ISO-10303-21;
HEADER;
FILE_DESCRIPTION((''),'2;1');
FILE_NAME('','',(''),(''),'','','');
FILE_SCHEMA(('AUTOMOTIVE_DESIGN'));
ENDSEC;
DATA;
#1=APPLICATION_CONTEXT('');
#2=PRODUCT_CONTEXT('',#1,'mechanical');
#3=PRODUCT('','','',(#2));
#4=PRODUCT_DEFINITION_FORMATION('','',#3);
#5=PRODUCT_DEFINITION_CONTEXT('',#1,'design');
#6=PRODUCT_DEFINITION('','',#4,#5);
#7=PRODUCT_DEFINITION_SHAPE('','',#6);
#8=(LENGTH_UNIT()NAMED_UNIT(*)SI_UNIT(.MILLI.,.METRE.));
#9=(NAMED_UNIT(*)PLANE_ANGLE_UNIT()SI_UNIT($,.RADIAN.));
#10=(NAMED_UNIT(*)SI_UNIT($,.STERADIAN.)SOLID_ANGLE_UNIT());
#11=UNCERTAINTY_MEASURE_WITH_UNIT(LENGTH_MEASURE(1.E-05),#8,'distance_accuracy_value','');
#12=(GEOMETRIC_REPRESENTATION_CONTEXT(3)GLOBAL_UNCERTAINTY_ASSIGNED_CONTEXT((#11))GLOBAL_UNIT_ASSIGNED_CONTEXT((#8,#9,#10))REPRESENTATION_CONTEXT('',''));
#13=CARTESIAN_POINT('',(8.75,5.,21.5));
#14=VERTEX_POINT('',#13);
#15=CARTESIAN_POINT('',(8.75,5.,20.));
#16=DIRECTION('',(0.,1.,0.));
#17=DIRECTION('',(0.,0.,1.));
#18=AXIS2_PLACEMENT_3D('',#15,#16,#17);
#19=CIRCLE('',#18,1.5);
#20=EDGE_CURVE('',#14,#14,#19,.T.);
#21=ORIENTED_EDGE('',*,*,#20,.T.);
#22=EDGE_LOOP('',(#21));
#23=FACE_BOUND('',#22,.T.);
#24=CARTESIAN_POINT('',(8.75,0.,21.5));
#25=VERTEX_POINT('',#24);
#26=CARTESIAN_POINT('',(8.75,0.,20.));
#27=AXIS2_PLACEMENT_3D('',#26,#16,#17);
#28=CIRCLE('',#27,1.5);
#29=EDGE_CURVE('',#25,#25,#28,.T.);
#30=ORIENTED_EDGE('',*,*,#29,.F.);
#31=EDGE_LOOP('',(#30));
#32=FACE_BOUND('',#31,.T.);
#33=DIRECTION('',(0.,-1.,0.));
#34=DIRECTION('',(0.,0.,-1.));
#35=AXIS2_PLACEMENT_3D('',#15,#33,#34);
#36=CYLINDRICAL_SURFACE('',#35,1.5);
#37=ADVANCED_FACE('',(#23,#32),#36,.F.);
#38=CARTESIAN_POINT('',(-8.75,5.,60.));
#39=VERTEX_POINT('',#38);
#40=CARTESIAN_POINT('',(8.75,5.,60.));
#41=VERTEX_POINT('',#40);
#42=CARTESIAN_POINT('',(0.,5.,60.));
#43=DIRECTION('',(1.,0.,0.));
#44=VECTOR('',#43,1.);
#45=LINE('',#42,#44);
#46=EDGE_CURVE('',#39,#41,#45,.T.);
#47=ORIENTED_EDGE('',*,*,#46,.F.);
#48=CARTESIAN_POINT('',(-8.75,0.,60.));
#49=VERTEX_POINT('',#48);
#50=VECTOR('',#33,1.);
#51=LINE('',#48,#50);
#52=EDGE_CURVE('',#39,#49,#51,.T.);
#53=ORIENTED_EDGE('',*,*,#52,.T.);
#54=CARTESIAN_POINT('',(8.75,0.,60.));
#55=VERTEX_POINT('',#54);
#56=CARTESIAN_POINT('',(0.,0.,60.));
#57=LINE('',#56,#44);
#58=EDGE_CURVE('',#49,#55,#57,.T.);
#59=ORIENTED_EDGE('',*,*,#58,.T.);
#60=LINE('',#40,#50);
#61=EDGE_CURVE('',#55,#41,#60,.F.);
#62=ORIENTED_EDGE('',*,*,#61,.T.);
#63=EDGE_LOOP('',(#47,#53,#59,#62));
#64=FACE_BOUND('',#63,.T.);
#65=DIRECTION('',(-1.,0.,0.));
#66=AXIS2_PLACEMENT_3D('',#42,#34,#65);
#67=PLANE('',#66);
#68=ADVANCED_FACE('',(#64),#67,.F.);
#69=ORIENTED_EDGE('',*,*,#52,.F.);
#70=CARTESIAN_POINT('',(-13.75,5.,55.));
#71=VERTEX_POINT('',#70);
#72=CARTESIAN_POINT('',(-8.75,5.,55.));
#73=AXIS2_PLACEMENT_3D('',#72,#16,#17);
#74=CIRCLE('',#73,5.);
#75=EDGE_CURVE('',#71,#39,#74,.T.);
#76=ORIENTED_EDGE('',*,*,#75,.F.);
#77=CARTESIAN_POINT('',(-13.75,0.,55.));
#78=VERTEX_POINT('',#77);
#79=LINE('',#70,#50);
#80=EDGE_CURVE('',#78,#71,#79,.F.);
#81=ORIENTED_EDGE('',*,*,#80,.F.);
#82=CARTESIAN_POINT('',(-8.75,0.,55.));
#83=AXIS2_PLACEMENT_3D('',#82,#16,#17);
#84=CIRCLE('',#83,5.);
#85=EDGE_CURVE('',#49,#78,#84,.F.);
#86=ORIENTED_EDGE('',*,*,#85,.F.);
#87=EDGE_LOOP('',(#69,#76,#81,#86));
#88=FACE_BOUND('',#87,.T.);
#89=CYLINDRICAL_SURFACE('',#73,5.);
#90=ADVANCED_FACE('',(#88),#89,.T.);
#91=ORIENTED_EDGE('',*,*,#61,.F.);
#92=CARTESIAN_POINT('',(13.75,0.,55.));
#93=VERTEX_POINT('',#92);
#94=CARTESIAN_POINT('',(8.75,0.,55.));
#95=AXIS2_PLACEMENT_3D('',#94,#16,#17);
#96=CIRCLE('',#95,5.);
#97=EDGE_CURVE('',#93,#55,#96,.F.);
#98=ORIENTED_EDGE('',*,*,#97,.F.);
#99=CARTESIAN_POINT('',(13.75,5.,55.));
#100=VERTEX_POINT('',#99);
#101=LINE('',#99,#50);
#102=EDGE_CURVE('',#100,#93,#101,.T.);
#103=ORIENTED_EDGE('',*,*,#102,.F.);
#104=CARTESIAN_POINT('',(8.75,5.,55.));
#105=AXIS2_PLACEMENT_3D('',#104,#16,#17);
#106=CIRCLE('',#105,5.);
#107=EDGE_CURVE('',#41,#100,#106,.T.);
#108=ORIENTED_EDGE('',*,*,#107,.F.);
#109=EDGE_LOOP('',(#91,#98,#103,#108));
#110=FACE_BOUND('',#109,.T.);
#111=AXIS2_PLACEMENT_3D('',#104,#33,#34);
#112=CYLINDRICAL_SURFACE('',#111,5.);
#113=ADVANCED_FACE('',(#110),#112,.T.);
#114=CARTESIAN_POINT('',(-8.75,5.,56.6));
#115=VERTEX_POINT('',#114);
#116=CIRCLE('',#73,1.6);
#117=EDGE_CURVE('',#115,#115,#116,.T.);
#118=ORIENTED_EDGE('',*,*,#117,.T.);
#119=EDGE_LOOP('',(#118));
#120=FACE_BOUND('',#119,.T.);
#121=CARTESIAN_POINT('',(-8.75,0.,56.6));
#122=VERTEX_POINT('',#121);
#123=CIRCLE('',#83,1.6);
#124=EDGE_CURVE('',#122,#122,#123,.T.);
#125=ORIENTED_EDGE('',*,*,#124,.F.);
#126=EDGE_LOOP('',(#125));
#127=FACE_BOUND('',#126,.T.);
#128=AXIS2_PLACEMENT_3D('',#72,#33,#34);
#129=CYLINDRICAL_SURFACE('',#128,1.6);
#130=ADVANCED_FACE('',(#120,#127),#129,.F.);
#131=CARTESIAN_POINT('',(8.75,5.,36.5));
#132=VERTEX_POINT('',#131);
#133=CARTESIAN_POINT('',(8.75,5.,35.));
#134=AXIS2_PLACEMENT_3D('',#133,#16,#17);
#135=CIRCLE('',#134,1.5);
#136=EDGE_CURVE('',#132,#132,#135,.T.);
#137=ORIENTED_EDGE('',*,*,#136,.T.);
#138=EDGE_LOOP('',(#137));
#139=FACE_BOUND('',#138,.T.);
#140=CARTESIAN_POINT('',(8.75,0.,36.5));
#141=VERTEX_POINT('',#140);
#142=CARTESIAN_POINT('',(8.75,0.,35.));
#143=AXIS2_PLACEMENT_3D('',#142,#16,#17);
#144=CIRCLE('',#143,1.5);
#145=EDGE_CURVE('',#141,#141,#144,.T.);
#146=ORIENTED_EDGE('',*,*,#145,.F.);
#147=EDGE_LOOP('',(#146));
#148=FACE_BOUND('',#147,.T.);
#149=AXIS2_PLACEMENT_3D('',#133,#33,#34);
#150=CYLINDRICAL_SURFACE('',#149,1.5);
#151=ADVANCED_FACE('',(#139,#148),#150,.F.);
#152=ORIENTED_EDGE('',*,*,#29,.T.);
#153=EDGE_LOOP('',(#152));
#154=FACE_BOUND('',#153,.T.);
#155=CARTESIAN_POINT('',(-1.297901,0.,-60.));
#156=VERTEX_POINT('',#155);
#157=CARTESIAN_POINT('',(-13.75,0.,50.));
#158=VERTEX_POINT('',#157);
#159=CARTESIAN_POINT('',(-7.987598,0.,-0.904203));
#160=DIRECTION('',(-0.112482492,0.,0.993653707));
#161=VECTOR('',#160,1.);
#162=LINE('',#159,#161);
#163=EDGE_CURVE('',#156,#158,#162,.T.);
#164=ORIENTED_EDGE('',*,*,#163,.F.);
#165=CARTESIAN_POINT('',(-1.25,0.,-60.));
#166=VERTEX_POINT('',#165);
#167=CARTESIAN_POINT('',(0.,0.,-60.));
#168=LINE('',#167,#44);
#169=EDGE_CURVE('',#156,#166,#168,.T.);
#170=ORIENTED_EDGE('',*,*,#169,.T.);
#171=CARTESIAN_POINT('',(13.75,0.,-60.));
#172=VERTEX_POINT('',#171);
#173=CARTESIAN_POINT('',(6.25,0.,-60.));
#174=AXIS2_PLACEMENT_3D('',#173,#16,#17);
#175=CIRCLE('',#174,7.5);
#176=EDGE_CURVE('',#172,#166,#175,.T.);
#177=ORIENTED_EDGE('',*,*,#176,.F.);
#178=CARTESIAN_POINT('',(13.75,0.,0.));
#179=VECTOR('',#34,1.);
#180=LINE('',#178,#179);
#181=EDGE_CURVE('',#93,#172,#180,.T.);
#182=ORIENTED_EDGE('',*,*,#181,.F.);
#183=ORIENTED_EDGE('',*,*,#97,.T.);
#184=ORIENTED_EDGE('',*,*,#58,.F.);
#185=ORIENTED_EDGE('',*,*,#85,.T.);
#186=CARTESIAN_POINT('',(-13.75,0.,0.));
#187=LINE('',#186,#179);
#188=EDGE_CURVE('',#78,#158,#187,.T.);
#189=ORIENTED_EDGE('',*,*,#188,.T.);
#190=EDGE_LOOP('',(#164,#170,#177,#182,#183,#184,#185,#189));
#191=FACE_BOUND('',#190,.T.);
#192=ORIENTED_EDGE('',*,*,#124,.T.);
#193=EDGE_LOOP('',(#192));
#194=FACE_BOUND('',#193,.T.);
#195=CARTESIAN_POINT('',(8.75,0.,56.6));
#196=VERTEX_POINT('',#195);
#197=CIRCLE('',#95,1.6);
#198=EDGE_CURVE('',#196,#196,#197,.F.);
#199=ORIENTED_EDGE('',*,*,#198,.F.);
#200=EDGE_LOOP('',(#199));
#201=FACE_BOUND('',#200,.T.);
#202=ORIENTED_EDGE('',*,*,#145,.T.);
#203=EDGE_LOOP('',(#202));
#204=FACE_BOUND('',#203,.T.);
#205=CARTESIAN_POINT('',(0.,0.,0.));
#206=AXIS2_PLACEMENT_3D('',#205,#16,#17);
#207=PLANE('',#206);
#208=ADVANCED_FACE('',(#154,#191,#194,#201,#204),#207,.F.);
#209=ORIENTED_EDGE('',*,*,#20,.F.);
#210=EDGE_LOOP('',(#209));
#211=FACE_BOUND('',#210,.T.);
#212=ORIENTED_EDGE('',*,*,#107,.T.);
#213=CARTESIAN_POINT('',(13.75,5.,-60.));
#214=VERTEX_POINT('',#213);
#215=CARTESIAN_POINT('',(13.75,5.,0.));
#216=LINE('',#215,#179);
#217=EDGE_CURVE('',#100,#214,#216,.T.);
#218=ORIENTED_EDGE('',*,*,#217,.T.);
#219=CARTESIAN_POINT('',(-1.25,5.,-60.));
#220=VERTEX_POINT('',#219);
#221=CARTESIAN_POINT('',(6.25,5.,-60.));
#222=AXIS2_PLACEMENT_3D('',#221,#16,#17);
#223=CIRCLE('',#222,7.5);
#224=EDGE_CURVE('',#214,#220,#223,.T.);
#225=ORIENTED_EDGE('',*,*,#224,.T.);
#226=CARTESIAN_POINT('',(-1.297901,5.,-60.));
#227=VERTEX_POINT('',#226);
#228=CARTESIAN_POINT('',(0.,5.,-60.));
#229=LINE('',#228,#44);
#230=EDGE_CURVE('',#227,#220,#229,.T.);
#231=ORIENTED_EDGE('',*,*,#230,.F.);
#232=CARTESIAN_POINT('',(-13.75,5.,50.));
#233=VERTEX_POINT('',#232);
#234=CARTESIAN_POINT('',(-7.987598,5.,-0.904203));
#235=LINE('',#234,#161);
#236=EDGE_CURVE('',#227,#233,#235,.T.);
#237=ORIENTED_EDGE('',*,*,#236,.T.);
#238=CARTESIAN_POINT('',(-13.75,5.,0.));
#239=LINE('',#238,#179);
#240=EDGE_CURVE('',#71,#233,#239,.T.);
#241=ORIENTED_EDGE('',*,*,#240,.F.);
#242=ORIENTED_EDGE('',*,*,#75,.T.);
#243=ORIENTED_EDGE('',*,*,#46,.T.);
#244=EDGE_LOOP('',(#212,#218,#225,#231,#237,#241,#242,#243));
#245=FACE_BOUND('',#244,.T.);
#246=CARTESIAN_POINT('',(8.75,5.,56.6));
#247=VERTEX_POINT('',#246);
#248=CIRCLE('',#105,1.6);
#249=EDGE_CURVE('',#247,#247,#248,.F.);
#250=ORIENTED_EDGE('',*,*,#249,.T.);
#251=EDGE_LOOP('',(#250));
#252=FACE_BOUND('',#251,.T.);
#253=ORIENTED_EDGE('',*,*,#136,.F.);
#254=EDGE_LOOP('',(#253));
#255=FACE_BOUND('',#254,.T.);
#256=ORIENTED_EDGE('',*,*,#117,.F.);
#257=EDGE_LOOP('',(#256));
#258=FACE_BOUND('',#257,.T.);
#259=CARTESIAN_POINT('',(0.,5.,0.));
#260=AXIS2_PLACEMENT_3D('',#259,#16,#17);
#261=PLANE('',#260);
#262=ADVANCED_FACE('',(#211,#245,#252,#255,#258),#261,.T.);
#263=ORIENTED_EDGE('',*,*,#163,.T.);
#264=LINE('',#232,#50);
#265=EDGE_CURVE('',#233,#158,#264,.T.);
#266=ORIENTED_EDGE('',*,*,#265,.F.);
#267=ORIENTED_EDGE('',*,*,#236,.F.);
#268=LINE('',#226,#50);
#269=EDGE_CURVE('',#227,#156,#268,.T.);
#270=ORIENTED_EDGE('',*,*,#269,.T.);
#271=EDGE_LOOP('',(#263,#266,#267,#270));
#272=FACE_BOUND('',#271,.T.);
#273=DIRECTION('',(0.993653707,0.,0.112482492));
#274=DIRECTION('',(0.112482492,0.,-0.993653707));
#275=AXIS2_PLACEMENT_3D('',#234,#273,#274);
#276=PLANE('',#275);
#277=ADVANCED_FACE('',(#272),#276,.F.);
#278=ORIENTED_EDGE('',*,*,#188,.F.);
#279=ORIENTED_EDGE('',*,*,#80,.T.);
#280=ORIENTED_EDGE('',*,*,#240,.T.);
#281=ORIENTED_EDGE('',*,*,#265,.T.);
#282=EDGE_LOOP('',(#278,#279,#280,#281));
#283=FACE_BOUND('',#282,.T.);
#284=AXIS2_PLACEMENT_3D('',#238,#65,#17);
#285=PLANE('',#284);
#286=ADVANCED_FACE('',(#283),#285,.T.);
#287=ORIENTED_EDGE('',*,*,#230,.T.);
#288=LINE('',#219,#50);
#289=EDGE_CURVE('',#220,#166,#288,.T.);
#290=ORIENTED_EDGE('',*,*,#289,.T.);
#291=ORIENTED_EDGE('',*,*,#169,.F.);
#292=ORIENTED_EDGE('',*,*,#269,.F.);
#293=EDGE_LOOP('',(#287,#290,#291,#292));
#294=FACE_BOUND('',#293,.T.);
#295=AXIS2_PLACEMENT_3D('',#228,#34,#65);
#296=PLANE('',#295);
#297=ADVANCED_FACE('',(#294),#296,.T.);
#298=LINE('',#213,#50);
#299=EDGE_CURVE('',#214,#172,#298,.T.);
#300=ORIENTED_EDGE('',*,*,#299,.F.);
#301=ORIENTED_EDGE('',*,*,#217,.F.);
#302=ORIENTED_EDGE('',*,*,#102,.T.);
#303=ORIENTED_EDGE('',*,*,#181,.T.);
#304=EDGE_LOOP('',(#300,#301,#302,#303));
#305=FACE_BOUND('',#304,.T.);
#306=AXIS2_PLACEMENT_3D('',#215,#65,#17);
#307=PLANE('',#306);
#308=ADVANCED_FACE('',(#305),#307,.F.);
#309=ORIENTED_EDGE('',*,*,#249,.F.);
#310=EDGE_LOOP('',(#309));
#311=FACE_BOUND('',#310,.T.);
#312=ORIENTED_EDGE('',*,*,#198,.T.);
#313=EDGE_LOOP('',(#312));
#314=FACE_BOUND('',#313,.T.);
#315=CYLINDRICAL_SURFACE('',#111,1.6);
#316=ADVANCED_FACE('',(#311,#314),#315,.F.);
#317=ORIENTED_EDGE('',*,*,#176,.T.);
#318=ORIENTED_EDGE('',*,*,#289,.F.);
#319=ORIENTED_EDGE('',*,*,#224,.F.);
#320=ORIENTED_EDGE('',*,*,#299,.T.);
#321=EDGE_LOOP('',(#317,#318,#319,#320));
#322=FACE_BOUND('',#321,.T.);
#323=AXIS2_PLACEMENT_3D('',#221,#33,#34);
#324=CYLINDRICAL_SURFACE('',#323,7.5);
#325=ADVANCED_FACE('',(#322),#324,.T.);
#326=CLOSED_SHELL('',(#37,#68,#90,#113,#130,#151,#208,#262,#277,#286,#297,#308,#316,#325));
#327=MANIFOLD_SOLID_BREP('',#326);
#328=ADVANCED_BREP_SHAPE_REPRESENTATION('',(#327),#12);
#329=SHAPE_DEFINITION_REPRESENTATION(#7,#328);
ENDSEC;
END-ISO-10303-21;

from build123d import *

# Parameters (mm, degrees)
SKETCH_1_R      = 1.6
SKETCH_1_R_2    = 1.5
EXTRUDE_1_DEPTH = 5
FILLET_1_R      = 5


with BuildPart() as part:
    # ｽｹｯﾁ1 → ﾎﾞｽ - 押し出し1 (new body)
    with BuildSketch(Plane(origin=(0, 0, 0), x_dir=(1, 0, 0), z_dir=(0, 1, 0))):
        with BuildLine():
            Line((-13.75, -50), (-13.75, -60))
            Line((-13.75, -60), (13.75, -60))
            Line((13.75, -60), (13.75, 60))
            ThreePointArc((13.75, 60), (6.25, 67.5), (-1.25, 60))
            Line((-1.25, 60), (-1.297901194, 60))
            Line((-1.297901194, 60), (-13.75, -50))
        make_face()
        with Locations(Location((-8.75, -55, 0), (0, 0, 270))):
            Circle(SKETCH_1_R, mode=Mode.SUBTRACT)
        with Locations(Location((8.75, -55, 0), (0, 0, 270))):
            Circle(SKETCH_1_R, mode=Mode.SUBTRACT)
        with Locations(Location((8.75, -35, 0), (0, 0, 270))):
            Circle(SKETCH_1_R_2, mode=Mode.SUBTRACT)
        with Locations(Location((8.75, -20, 0), (0, 0, 270))):
            Circle(SKETCH_1_R_2, mode=Mode.SUBTRACT)
    extrude(amount=EXTRUDE_1_DEPTH)

    # ﾌｨﾚｯﾄ1
    fillet_1_edges = [part.edges().sort_by_distance(p)[0] for p in [
        (13.75, 2.5, 60),
        (-13.75, 2.5, 60),
    ]]
    fillet(fillet_1_edges, radius=FILLET_1_R)


solid = part.part
